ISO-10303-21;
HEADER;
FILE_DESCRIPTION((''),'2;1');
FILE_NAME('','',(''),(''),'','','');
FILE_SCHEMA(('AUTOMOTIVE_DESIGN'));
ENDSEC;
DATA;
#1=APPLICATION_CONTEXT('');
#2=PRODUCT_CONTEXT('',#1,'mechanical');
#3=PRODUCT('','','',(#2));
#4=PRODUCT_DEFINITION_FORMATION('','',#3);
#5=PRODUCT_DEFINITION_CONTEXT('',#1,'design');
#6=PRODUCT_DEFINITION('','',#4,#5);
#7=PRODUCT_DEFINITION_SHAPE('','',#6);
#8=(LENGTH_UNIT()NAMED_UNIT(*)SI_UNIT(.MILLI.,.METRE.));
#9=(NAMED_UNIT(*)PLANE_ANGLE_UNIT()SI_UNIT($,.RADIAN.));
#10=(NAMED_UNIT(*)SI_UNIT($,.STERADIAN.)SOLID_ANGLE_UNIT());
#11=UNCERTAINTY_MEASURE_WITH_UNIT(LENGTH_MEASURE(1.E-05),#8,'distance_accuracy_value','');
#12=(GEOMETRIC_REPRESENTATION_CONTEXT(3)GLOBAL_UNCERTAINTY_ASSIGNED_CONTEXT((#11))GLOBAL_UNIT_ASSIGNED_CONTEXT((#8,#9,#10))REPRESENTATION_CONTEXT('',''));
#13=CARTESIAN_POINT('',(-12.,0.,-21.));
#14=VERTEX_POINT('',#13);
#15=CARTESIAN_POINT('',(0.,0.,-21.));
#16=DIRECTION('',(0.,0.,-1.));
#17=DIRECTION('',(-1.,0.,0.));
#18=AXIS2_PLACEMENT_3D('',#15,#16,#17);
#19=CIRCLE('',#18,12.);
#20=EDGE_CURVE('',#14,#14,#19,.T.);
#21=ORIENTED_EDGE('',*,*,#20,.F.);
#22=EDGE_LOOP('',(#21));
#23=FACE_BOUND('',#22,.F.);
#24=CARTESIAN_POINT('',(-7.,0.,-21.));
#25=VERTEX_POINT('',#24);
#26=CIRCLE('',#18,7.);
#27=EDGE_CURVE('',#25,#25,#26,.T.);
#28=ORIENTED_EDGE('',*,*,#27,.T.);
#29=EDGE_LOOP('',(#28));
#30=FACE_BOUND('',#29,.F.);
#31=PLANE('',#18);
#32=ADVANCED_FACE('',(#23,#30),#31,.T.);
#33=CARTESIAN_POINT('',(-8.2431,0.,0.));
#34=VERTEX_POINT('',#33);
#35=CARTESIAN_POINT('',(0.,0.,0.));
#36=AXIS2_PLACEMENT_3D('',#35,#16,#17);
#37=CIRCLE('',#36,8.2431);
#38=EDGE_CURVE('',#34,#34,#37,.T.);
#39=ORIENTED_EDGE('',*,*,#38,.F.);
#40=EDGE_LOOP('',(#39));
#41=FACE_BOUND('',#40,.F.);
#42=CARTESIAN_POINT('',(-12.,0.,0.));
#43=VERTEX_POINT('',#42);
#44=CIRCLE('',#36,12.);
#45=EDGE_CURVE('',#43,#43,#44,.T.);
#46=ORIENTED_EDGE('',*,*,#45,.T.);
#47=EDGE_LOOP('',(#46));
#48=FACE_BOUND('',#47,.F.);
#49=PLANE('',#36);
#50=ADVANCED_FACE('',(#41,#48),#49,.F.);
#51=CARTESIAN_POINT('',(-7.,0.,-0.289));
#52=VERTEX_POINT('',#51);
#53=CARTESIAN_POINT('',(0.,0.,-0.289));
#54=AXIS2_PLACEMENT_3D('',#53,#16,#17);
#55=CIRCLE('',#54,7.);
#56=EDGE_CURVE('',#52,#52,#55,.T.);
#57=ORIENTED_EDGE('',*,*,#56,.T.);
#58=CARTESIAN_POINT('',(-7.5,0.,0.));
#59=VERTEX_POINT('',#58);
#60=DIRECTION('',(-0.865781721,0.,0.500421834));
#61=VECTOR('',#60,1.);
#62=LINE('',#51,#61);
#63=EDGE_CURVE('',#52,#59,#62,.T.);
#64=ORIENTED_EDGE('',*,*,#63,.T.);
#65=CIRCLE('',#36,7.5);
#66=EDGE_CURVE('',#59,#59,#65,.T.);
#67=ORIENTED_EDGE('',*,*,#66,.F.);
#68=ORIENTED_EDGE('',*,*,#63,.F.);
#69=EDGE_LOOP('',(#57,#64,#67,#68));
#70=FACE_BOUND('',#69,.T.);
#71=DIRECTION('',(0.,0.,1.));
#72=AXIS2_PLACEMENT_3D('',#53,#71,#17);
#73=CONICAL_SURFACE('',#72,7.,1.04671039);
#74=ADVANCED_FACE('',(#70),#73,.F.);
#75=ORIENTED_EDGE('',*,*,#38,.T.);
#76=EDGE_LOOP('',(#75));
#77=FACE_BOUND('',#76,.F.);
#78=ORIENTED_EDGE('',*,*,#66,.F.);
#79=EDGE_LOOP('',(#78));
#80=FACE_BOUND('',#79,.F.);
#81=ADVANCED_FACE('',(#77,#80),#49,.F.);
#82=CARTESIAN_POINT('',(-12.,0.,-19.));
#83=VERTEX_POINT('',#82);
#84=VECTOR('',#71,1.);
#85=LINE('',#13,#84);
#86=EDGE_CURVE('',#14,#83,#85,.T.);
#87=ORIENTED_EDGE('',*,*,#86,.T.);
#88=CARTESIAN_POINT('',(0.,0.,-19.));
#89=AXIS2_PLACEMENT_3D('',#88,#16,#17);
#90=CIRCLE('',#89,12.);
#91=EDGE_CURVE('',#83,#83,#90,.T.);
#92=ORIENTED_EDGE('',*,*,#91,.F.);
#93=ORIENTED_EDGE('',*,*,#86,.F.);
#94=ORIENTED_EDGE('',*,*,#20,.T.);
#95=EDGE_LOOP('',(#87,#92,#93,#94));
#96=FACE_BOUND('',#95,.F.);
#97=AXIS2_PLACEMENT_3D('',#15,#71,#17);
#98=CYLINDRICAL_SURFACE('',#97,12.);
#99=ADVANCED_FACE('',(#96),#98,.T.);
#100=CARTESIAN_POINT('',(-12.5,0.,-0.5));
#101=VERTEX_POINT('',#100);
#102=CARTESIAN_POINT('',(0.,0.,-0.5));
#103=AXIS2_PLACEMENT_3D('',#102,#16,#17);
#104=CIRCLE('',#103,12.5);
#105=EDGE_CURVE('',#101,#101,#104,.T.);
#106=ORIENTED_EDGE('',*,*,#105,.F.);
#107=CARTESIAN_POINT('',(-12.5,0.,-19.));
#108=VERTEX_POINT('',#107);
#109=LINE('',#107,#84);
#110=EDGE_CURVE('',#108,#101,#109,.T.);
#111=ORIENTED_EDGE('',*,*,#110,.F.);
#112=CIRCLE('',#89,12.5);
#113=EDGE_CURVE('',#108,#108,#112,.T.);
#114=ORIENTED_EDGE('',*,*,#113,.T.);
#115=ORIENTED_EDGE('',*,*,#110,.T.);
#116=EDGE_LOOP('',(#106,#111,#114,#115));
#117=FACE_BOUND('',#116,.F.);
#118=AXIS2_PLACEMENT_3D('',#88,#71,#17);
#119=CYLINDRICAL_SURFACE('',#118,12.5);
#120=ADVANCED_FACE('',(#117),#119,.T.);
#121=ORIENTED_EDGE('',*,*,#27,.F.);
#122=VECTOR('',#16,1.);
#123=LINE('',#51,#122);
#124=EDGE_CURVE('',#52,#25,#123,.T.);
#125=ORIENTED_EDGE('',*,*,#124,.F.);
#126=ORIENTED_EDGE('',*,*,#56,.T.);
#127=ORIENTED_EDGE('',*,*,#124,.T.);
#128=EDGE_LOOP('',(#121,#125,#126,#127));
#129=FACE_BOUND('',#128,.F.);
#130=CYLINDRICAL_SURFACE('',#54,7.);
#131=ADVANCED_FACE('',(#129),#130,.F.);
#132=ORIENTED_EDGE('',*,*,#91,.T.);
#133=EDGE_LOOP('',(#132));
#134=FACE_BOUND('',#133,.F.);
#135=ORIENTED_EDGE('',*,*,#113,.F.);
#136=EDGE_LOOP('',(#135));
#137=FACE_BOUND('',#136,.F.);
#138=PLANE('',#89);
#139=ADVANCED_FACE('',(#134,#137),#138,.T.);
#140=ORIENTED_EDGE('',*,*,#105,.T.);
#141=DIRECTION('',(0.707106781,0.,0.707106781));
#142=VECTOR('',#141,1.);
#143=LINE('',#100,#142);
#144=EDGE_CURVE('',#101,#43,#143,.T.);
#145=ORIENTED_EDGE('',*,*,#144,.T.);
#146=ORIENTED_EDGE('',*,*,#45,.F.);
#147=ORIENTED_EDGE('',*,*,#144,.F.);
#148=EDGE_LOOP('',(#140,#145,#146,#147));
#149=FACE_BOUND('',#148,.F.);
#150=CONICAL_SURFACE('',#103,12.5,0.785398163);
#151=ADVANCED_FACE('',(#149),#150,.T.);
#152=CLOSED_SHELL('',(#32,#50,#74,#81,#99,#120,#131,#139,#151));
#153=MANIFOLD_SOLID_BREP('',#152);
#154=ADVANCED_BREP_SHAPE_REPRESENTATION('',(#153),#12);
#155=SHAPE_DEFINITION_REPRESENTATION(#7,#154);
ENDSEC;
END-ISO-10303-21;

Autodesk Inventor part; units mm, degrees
ref_plane "YZ Plane" through (0, 0, 0) normal (1, 0, 0) x (0, 1, 0)
ref_plane "XZ Plane" through (0, 0, 0) normal (0, 1, 0) x (-1, 0, 0)
ref_plane "XY Plane" through (0, 0, 0) normal (0, 0, 1) x (1, 0, 0)
sketch "Sketch1" plane through (0, 0, 0) normal (0, 1, 0) x (-1, 0, 0)
  line L0 (0, 0) -> (0, -21) construction
  line L1 (7, -21) -> (12, -21)
  line L2 (12, -21) -> (12, -19)
  line L3 (12, -19) -> (12.5, -19)
  line L4 (12.5, -19) -> (12.5, -0.5)
  line L5 (12.5, -0.5) -> (12, 0)
  line L6 (12, 0) -> (8.2431, 0)
  line L7 (7, -0.289) -> (7, -21)
  line L8 (8.2431, 0) -> (7.5, 0)
  line L9 (7, -0.289) -> (7.5, 0)
  point P0 (12, -20)
  dimension "d0" = 21
  dimension "d2" = 12
  dimension "d3" = 2
  dimension "d4" = 18.5
  dimension "d5" = 21
  dimension "d6" = 0
  dimension "d7" = 7.5
  dimension "d8" = 0.289
  dimension "d9" = 12.5
  dimension "d10" = 5.5
revolve "Revolution1" add sketch "Sketch1" angle 360 about axis through (0, 0, 0) along (0, 0, -1)
properties part number "26-10-209_ZI01"
